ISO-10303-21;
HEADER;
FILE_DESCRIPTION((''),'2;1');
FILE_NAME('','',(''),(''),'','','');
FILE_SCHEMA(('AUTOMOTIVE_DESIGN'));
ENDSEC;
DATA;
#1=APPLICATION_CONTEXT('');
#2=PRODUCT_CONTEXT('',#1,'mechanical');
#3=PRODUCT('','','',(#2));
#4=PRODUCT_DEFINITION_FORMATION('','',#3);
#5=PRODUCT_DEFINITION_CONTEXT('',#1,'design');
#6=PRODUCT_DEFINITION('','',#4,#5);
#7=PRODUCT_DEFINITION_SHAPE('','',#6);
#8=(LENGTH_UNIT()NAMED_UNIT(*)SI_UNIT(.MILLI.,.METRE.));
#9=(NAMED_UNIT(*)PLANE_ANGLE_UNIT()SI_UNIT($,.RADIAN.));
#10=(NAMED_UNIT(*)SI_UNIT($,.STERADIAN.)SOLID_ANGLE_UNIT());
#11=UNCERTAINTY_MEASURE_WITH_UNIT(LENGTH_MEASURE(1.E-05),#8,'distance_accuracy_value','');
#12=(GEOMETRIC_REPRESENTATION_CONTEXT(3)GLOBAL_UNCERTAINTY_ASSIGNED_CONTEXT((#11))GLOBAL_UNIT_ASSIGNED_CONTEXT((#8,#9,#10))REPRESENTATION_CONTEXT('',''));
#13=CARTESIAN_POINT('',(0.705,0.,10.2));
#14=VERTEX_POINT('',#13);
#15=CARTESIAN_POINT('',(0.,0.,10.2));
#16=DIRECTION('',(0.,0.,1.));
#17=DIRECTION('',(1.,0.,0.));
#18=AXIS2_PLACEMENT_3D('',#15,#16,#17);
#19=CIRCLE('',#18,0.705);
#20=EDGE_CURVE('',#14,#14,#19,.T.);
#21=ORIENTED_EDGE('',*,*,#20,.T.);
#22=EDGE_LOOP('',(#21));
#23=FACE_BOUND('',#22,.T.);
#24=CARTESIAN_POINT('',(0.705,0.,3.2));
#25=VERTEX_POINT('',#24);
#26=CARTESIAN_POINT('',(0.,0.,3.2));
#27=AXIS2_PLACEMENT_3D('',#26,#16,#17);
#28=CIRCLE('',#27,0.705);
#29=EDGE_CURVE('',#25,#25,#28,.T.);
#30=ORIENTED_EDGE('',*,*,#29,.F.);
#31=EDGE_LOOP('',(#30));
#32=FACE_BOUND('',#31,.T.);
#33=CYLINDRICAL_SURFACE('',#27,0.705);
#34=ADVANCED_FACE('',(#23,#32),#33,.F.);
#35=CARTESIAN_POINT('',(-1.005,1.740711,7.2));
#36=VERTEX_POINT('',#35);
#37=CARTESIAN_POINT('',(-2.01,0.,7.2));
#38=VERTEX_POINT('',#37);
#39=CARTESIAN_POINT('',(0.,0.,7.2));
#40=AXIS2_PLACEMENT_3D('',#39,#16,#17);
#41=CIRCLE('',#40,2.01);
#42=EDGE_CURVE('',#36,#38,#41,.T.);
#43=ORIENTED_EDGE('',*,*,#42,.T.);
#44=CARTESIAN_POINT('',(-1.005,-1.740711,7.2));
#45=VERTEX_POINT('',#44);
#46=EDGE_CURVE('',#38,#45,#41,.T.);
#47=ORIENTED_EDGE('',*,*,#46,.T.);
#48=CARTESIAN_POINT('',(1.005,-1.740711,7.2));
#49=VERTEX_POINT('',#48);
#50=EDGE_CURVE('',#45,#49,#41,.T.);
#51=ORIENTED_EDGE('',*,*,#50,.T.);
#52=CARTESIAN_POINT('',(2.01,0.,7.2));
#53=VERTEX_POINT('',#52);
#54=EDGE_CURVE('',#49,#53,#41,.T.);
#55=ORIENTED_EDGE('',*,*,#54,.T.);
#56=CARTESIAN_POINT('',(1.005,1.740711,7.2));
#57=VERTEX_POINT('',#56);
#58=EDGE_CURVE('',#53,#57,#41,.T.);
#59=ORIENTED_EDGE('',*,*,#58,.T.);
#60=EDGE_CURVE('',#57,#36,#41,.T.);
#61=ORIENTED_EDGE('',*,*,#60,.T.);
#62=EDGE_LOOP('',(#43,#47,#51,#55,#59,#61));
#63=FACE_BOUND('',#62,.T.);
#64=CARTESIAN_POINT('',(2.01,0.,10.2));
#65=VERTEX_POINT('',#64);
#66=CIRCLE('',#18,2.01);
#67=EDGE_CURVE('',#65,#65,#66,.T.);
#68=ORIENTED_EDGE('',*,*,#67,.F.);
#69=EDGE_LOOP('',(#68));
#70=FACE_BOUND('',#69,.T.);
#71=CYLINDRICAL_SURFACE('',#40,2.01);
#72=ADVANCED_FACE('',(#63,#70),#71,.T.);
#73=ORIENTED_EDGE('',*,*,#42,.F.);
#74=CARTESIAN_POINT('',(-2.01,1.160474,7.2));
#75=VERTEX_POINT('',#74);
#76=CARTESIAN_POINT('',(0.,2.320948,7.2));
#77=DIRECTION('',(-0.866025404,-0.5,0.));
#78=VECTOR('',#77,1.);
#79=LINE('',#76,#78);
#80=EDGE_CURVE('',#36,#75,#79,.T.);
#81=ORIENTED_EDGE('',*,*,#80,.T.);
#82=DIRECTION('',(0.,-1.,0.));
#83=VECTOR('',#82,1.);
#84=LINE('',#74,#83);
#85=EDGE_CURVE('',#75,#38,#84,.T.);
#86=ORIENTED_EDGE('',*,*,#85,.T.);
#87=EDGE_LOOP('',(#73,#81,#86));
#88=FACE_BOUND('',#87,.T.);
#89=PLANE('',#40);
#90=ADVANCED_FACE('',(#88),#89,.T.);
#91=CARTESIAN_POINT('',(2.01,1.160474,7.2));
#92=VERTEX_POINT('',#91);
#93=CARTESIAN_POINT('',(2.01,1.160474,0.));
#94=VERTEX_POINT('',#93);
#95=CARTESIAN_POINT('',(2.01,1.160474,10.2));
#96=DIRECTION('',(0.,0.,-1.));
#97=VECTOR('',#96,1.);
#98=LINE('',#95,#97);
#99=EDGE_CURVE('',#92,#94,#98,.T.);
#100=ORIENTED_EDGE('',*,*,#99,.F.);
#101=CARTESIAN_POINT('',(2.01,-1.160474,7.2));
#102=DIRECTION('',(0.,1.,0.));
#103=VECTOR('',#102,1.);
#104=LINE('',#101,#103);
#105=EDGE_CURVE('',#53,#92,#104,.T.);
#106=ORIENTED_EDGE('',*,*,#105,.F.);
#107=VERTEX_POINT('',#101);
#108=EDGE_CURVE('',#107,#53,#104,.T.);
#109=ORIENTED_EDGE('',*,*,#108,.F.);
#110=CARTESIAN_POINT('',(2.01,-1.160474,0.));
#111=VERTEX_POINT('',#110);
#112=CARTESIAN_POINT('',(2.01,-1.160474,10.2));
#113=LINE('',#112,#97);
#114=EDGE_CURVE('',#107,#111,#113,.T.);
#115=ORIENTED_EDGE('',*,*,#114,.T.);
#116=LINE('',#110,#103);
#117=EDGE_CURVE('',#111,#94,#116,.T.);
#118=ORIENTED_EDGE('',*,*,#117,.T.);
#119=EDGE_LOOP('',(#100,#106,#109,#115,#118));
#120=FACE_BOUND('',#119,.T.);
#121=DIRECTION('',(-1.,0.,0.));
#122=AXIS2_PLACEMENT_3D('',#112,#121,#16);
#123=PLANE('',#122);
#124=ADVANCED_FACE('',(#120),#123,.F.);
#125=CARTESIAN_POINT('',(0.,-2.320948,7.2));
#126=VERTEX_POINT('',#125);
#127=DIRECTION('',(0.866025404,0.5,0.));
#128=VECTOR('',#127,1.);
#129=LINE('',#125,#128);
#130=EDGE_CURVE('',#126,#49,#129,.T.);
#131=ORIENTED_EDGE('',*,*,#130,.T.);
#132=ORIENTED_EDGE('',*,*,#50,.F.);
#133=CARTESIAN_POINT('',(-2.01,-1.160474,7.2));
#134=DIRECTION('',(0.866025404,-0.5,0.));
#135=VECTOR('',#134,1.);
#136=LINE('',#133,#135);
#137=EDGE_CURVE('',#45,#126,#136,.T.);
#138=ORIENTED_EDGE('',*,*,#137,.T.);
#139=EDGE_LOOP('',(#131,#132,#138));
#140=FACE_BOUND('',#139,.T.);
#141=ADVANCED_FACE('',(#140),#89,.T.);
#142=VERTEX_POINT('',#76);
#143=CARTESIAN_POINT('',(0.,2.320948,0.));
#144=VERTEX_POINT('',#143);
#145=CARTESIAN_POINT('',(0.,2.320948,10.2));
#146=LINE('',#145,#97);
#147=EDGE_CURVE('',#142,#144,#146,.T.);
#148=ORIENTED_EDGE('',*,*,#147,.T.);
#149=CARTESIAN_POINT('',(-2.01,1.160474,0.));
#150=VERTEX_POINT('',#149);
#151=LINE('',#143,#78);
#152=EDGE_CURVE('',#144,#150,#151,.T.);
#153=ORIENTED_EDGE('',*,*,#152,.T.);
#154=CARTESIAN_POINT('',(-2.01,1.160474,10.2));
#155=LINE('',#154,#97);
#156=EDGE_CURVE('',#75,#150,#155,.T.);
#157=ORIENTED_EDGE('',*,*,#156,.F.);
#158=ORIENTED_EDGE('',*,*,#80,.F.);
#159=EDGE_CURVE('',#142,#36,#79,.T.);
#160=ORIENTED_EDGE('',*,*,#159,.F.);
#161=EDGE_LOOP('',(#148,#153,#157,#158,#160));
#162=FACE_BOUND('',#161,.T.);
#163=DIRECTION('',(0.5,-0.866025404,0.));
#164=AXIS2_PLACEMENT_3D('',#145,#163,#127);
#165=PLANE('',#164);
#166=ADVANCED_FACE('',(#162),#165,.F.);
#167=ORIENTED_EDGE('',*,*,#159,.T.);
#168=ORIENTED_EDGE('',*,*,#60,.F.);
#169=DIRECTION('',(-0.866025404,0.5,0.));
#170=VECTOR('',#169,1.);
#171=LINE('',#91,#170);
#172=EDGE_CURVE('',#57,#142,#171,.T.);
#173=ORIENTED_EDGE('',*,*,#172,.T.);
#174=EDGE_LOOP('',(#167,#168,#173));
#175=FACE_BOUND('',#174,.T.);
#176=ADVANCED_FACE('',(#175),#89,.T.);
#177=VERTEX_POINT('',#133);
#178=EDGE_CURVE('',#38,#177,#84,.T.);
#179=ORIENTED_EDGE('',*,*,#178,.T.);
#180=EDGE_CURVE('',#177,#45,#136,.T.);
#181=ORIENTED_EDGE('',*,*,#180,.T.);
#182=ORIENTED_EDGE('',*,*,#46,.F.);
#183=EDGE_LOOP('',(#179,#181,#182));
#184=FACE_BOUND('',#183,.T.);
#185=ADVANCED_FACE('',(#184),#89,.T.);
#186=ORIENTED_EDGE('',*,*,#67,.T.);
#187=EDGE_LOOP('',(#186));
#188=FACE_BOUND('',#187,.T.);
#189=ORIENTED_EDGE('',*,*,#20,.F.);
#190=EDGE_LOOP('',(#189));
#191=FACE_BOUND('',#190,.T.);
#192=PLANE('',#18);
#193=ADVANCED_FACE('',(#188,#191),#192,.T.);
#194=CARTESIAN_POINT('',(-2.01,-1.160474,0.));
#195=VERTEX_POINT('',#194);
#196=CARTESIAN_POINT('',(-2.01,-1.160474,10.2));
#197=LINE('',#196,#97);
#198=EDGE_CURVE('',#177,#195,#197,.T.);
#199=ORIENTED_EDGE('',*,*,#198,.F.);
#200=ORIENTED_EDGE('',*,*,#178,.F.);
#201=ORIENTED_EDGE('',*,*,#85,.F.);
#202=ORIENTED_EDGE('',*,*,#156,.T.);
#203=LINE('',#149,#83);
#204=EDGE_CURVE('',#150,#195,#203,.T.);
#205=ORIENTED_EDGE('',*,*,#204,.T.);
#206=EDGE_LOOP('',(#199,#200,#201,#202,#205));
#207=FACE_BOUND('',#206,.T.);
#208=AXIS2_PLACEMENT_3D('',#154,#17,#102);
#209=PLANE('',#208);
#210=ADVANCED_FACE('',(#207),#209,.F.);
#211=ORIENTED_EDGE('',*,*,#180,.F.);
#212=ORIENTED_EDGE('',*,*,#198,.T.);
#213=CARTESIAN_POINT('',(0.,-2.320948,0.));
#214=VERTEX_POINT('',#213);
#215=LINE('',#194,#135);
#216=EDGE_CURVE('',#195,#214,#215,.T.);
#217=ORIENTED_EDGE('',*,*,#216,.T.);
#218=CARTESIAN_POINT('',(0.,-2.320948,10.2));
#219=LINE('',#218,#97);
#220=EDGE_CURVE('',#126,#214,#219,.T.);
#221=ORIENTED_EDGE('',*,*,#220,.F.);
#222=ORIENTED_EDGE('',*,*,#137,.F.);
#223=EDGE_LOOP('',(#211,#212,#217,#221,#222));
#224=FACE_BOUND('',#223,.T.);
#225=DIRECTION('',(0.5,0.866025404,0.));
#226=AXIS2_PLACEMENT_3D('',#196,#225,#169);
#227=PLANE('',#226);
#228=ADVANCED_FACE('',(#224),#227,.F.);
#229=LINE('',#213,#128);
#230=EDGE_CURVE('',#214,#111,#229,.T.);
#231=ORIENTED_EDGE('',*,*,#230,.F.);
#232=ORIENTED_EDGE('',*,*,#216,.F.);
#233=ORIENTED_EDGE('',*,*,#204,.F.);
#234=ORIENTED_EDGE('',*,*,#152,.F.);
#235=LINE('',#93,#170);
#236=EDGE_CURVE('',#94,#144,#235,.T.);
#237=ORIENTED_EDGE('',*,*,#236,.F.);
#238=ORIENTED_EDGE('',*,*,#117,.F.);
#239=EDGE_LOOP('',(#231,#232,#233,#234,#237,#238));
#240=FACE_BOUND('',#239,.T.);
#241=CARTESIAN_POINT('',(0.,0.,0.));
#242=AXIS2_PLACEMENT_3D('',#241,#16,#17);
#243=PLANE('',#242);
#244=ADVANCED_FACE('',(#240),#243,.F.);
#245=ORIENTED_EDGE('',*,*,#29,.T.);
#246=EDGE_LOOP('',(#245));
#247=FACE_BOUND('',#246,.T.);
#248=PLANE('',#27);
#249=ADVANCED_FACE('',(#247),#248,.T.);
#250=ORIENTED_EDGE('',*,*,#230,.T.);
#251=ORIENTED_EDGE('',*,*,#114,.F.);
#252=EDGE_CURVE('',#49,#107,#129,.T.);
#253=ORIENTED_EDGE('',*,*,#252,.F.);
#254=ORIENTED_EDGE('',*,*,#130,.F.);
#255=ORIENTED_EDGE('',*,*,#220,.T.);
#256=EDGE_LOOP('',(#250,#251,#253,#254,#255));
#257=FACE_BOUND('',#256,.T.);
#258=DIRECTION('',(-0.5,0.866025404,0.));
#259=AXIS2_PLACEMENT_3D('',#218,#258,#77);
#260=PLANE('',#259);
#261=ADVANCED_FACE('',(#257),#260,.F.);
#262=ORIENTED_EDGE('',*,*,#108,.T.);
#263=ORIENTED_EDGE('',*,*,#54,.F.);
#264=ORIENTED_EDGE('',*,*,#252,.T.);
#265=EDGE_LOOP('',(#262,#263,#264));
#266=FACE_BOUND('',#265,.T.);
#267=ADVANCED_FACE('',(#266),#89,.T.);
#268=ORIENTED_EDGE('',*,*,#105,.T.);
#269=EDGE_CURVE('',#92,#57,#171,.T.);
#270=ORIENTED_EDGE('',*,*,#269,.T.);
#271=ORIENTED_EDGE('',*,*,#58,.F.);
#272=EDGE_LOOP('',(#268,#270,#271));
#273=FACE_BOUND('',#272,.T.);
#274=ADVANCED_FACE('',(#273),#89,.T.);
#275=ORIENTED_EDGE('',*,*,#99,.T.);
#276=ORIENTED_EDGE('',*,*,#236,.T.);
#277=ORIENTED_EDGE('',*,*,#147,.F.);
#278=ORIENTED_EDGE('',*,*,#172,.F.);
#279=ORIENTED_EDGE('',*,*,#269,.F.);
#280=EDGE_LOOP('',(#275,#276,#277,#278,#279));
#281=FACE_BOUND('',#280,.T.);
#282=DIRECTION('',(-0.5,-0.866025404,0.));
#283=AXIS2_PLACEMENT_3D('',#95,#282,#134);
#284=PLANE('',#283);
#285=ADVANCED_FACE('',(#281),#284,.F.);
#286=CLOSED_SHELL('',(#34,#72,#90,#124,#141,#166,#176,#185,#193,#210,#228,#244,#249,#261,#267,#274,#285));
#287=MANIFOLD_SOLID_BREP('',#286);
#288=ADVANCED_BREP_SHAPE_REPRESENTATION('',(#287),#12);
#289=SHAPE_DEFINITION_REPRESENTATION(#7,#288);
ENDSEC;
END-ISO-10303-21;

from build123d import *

# Parameters (mm, degrees)
BOSS_EXTRUDE1_DEPTH = 10.2
SKETCH2_R           = 2.320948082
SKETCH2_R_2         = 2.01
CUT_EXTRUDE2_DEPTH  = 3
SKETCH4_R           = 0.705
CUT_EXTRUDE3_DEPTH  = 7


with BuildPart() as part:
    # Sketch1 → Boss-Extrude1 (new body)
    with BuildSketch(Plane.XY):
        Polygon((0, -2.320948082), (2.01, -1.160474041), (2.01, 1.160474041), (0, 2.320948082), (-2.01, 1.160474041), (-2.01, -1.160474041), align=None)
    extrude(amount=BOSS_EXTRUDE1_DEPTH)

    # Sketch2 → Cut-Extrude2 (cut)
    with BuildSketch(Plane.XY.offset(10.2)):
        Circle(SKETCH2_R)
        Circle(SKETCH2_R_2, mode=Mode.SUBTRACT)
    extrude(amount=-CUT_EXTRUDE2_DEPTH, mode=Mode.SUBTRACT)

    # Sketch4 → Cut-Extrude3 (cut)
    with BuildSketch(Plane.XY.offset(10.2)):
        Circle(SKETCH4_R)
    extrude(amount=-CUT_EXTRUDE3_DEPTH, mode=Mode.SUBTRACT)


solid = part.part
